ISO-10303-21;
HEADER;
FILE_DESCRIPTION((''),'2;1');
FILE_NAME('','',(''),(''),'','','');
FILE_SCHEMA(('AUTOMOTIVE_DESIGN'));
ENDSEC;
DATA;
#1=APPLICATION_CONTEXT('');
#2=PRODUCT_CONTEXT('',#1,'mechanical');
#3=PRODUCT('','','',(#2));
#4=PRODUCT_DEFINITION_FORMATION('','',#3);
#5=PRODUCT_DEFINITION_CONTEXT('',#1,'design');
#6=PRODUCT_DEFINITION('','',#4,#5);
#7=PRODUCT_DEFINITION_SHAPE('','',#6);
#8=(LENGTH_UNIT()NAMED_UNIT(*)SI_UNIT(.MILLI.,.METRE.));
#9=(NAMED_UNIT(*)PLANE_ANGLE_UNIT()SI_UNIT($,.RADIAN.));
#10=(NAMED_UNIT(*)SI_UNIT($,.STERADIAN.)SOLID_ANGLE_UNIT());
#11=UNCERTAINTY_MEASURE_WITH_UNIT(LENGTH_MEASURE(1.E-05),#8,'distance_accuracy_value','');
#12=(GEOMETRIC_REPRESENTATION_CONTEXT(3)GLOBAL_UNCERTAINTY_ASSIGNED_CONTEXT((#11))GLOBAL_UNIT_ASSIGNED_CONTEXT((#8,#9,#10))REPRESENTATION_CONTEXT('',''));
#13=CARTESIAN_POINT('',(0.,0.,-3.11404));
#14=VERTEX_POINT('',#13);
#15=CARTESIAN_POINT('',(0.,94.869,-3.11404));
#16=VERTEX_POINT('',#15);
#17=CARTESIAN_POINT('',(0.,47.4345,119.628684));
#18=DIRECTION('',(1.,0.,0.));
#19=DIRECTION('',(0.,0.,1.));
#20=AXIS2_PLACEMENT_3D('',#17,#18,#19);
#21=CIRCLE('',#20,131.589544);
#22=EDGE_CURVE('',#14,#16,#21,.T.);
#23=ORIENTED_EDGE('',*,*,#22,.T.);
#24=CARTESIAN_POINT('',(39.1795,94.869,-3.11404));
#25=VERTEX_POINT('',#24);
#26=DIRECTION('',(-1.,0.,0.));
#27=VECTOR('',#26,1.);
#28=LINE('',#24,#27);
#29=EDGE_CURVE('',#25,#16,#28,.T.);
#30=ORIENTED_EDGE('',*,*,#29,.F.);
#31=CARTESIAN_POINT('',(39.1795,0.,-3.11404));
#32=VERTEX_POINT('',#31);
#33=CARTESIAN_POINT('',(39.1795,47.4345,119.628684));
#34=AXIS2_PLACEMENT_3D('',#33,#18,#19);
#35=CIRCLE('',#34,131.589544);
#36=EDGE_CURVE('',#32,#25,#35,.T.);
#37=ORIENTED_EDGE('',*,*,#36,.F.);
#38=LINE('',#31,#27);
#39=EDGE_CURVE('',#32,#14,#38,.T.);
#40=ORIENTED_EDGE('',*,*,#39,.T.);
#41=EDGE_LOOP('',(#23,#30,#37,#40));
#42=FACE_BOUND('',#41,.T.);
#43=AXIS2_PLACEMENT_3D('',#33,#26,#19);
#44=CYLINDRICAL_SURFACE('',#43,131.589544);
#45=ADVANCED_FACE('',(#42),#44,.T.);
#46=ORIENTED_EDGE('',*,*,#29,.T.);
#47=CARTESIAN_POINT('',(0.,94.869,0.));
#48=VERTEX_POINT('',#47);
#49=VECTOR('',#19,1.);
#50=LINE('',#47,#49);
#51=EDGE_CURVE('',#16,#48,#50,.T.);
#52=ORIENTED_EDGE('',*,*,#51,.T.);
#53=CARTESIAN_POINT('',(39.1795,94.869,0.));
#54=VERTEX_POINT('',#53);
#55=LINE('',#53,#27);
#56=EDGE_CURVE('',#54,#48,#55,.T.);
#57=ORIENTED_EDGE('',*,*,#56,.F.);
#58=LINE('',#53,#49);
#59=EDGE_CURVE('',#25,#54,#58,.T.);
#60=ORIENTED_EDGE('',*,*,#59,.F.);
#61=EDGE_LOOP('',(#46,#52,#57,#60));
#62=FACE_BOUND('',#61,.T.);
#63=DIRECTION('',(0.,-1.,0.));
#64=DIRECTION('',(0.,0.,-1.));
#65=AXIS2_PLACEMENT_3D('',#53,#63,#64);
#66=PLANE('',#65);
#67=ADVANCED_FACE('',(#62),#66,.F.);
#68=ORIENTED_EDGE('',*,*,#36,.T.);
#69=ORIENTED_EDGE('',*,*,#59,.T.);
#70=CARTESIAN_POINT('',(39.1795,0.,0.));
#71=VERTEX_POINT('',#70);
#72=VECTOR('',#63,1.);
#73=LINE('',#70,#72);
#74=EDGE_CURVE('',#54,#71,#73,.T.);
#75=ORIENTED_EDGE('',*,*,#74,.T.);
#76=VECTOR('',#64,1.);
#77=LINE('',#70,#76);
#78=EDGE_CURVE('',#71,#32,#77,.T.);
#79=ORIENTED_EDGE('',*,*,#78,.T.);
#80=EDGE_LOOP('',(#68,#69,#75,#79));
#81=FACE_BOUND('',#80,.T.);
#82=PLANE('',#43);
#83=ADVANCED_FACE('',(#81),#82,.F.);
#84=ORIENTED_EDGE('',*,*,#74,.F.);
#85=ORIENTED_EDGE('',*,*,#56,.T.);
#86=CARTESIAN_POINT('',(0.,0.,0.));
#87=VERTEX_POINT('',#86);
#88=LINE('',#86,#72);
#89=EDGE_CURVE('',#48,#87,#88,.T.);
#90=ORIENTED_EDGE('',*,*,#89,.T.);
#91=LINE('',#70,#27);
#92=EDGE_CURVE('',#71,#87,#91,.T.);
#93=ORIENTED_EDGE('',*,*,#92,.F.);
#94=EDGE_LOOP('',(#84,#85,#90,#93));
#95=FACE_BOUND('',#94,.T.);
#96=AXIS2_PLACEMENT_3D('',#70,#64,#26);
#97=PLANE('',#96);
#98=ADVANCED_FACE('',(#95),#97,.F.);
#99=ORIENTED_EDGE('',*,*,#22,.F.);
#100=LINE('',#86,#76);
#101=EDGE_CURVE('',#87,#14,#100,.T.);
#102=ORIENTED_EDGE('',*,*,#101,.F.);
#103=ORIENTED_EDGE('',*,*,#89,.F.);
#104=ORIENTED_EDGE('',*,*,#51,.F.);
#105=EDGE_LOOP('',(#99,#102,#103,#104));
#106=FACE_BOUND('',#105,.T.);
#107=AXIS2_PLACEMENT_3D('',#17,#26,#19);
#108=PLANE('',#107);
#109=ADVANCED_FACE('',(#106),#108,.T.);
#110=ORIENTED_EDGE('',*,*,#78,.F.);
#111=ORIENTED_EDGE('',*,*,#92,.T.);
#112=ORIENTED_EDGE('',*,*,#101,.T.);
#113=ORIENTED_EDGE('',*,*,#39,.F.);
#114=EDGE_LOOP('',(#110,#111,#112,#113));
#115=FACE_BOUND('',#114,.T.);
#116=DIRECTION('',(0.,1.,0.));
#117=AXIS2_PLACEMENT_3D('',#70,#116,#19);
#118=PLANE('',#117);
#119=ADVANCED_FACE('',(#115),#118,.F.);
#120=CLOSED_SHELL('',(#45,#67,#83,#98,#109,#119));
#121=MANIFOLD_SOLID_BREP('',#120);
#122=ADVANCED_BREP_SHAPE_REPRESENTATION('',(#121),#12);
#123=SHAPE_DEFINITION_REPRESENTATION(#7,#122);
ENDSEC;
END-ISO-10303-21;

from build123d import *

# Parameters (mm, degrees)
BOSS_EXTRUDE1_DEPTH = 39.1795


with BuildPart() as part:
    # Sketch1 → Boss-Extrude1 (new body)
    with BuildSketch(Plane(origin=(0, 0, 0), x_dir=(0, 0, -1), z_dir=(1, 0, 0))):
        with BuildLine():
            Line((0, 94.869), (3.11404, 94.869))
            ThreePointArc((3.11404, 94.869), (11.96086, 47.4345), (3.11404, 0))
            Line((3.11404, 0), (0, 0))
            Line((0, 0), (0, 94.869))
        make_face()
    extrude(amount=BOSS_EXTRUDE1_DEPTH)


solid = part.part
